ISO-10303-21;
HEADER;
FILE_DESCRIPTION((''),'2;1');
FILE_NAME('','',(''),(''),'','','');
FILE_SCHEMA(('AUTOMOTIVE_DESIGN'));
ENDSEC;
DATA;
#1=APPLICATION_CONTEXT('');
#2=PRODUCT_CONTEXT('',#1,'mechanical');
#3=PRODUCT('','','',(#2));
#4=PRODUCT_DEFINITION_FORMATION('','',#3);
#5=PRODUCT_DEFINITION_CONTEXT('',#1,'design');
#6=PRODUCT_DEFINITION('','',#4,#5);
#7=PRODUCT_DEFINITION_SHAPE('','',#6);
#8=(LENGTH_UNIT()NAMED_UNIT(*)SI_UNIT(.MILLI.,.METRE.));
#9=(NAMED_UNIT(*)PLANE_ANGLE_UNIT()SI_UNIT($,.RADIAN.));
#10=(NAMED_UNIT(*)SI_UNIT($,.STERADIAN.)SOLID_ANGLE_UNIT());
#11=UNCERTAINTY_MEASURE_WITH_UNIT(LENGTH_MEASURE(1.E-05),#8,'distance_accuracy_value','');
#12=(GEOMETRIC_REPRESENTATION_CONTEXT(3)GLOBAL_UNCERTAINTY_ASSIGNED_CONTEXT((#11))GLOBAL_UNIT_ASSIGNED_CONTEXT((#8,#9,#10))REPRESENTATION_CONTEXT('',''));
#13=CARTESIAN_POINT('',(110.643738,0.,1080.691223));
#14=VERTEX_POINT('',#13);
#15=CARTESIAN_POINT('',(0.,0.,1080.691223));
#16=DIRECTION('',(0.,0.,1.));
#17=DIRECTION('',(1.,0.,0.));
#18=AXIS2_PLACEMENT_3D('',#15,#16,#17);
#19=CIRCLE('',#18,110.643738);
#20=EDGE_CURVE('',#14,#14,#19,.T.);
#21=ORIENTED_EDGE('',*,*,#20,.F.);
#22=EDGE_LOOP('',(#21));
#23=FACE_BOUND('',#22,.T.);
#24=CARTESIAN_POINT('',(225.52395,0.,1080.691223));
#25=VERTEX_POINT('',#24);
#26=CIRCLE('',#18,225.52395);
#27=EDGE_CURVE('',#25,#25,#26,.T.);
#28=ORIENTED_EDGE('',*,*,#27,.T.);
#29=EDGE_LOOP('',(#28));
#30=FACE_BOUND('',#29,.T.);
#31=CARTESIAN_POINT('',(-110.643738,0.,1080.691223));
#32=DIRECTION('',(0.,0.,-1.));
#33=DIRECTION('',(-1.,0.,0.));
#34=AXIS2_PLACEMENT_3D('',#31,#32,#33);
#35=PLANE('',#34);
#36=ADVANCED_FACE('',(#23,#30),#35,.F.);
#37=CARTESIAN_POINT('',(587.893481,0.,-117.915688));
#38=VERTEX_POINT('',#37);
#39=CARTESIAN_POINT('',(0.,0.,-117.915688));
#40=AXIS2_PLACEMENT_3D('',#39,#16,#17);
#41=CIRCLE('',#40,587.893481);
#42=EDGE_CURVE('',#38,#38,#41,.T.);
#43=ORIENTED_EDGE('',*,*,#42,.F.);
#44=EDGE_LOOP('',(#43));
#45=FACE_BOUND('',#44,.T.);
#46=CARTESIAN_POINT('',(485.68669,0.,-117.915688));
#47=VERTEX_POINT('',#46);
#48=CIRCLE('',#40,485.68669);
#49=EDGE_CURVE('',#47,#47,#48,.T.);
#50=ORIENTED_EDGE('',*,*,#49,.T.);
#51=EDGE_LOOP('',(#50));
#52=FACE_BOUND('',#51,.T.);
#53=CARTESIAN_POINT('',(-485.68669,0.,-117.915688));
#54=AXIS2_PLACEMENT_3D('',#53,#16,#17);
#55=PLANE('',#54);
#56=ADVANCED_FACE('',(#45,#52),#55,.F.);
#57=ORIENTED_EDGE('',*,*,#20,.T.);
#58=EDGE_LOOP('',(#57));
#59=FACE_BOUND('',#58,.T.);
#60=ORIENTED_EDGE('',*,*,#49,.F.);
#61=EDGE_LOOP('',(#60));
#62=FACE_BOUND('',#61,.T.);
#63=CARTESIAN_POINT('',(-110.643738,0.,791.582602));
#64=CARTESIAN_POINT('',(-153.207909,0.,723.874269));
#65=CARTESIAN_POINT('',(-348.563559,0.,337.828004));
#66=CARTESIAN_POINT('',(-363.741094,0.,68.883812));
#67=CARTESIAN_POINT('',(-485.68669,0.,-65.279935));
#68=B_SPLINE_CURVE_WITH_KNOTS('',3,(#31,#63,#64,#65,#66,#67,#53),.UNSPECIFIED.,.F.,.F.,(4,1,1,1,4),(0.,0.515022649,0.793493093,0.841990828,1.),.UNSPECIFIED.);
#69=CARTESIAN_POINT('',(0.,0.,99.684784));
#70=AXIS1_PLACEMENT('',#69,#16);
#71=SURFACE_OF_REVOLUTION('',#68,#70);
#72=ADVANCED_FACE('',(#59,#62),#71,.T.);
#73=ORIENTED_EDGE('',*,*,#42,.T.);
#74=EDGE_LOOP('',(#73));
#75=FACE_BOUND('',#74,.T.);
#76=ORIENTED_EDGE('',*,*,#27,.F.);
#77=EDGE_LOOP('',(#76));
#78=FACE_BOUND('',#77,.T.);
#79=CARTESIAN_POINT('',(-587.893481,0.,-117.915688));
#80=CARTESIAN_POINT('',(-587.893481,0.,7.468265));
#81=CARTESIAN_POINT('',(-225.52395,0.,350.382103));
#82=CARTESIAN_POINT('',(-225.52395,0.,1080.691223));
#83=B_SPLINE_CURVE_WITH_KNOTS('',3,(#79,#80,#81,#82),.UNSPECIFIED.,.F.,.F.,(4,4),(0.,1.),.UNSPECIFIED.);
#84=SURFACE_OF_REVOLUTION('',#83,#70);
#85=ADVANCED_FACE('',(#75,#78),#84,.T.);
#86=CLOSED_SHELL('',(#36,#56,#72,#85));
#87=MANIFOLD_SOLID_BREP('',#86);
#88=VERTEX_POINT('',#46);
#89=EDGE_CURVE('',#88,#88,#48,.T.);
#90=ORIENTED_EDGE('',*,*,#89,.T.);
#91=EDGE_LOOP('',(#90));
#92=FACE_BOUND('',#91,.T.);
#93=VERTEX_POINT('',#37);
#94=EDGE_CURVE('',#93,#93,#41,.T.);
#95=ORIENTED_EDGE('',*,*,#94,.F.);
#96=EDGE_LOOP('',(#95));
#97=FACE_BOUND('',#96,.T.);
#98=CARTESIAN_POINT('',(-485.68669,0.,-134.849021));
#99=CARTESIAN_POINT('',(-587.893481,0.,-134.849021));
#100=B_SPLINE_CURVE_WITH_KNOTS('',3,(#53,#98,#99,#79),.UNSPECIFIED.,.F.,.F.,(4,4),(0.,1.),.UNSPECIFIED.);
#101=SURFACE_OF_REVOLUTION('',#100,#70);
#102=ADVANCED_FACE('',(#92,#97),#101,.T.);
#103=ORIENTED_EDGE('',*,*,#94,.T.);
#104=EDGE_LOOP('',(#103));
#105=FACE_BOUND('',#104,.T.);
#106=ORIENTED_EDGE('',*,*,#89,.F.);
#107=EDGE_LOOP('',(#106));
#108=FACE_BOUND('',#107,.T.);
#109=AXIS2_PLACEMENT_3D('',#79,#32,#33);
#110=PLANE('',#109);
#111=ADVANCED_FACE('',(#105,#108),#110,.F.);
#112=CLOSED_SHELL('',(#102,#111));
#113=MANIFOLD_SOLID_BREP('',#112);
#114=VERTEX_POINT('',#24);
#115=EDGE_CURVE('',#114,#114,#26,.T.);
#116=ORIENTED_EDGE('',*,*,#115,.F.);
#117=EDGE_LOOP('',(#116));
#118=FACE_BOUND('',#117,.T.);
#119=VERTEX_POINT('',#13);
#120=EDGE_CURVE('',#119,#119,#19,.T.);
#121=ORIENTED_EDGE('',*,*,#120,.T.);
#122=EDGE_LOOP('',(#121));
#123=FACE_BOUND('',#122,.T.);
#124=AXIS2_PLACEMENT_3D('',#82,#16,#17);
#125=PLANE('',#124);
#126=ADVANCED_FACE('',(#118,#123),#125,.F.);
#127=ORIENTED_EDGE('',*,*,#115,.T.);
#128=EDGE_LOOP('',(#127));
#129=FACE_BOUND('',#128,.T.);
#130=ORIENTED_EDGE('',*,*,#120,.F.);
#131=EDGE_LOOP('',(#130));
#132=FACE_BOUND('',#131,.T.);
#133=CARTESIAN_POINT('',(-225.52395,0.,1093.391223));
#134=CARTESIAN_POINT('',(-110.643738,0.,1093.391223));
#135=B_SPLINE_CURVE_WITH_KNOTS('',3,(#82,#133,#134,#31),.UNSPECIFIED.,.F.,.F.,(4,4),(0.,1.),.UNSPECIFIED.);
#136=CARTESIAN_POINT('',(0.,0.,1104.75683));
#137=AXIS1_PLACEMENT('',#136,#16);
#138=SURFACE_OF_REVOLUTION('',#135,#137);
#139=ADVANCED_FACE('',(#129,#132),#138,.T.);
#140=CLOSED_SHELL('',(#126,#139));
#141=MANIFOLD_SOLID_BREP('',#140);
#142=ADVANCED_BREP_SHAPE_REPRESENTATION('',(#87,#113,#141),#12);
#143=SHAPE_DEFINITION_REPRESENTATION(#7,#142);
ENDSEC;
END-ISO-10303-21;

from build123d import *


with BuildPart() as part:
    # Sketch21 → Revolve2 (revolve)
    with BuildSketch(Plane(origin=(0, 0, 0), x_dir=(1, 0, 0), z_dir=(0, 1, 0))):
        with BuildLine():
            Line((-110.643738414, -1080.691222915), (-225.523950171, -1080.691222915))
            add(Edge.make_bspline(
                [(-587.893481305, 117.915687759), (-587.893481305, -7.468264617), (-225.523950171, -350.38210253), (-225.523950171, -1080.691222915)],
                knots=[0, 0, 0, 0, 1, 1, 1, 1], degree=3))
            Line((-587.893481305, 117.915687759), (-485.686690473, 117.915687759))
            add(Edge.make_bspline(
                [(-485.686690473, 117.915687759), (-485.686690473, 65.279935237), (-363.741093584, -68.883812009), (-348.563558656, -337.828003558), (-153.207908822, -723.874268625), (-110.643738414, -791.582602275), (-110.643738414, -1080.691222915)],
                knots=[0, 0, 0, 0, 0.158009172, 0.206506907, 0.484977351, 1, 1, 1, 1], degree=3))
        make_face()
    revolve(axis=Axis((0, 0, 99.684784321), (0, 0, -1)))


with BuildPart() as body_2:
    # Sketch22 → Revolve3 (revolve)
    with BuildSketch(Plane(origin=(0, 0, 0), x_dir=(1, 0, 0), z_dir=(0, 1, 0))):
        with BuildLine():
            Line((-587.893481305, 117.915687759), (-485.686690473, 117.915687759))
            add(Edge.make_bspline(
                [(-587.893481305, 117.915687759), (-587.893481305, 134.849021092), (-485.686690473, 134.849021092), (-485.686690473, 117.915687759)],
                knots=[0, 0, 0, 0, 1, 1, 1, 1], degree=3))
        make_face()
    revolve(axis=Axis((0, 0, 99.684784321), (0, 0, -1)))


with BuildPart() as body_3:
    # Sketch23 → Revolve4 (revolve)
    with BuildSketch(Plane(origin=(0, 0, 0), x_dir=(1, 0, 0), z_dir=(0, 1, 0))):
        with BuildLine():
            Line((-225.523950171, -1080.691222915), (-110.643738414, -1080.691222915))
            add(Edge.make_bspline(
                [(-225.523950171, -1080.691222915), (-225.523950171, -1093.391222915), (-110.643738414, -1093.391222915), (-110.643738414, -1080.691222915)],
                knots=[0, 0, 0, 0, 1, 1, 1, 1], degree=3))
        make_face()
    revolve(axis=Axis((0, 0, 1104.756830123), (0, 0, -1)))


solid = Compound([part.part, body_2.part, body_3.part])
